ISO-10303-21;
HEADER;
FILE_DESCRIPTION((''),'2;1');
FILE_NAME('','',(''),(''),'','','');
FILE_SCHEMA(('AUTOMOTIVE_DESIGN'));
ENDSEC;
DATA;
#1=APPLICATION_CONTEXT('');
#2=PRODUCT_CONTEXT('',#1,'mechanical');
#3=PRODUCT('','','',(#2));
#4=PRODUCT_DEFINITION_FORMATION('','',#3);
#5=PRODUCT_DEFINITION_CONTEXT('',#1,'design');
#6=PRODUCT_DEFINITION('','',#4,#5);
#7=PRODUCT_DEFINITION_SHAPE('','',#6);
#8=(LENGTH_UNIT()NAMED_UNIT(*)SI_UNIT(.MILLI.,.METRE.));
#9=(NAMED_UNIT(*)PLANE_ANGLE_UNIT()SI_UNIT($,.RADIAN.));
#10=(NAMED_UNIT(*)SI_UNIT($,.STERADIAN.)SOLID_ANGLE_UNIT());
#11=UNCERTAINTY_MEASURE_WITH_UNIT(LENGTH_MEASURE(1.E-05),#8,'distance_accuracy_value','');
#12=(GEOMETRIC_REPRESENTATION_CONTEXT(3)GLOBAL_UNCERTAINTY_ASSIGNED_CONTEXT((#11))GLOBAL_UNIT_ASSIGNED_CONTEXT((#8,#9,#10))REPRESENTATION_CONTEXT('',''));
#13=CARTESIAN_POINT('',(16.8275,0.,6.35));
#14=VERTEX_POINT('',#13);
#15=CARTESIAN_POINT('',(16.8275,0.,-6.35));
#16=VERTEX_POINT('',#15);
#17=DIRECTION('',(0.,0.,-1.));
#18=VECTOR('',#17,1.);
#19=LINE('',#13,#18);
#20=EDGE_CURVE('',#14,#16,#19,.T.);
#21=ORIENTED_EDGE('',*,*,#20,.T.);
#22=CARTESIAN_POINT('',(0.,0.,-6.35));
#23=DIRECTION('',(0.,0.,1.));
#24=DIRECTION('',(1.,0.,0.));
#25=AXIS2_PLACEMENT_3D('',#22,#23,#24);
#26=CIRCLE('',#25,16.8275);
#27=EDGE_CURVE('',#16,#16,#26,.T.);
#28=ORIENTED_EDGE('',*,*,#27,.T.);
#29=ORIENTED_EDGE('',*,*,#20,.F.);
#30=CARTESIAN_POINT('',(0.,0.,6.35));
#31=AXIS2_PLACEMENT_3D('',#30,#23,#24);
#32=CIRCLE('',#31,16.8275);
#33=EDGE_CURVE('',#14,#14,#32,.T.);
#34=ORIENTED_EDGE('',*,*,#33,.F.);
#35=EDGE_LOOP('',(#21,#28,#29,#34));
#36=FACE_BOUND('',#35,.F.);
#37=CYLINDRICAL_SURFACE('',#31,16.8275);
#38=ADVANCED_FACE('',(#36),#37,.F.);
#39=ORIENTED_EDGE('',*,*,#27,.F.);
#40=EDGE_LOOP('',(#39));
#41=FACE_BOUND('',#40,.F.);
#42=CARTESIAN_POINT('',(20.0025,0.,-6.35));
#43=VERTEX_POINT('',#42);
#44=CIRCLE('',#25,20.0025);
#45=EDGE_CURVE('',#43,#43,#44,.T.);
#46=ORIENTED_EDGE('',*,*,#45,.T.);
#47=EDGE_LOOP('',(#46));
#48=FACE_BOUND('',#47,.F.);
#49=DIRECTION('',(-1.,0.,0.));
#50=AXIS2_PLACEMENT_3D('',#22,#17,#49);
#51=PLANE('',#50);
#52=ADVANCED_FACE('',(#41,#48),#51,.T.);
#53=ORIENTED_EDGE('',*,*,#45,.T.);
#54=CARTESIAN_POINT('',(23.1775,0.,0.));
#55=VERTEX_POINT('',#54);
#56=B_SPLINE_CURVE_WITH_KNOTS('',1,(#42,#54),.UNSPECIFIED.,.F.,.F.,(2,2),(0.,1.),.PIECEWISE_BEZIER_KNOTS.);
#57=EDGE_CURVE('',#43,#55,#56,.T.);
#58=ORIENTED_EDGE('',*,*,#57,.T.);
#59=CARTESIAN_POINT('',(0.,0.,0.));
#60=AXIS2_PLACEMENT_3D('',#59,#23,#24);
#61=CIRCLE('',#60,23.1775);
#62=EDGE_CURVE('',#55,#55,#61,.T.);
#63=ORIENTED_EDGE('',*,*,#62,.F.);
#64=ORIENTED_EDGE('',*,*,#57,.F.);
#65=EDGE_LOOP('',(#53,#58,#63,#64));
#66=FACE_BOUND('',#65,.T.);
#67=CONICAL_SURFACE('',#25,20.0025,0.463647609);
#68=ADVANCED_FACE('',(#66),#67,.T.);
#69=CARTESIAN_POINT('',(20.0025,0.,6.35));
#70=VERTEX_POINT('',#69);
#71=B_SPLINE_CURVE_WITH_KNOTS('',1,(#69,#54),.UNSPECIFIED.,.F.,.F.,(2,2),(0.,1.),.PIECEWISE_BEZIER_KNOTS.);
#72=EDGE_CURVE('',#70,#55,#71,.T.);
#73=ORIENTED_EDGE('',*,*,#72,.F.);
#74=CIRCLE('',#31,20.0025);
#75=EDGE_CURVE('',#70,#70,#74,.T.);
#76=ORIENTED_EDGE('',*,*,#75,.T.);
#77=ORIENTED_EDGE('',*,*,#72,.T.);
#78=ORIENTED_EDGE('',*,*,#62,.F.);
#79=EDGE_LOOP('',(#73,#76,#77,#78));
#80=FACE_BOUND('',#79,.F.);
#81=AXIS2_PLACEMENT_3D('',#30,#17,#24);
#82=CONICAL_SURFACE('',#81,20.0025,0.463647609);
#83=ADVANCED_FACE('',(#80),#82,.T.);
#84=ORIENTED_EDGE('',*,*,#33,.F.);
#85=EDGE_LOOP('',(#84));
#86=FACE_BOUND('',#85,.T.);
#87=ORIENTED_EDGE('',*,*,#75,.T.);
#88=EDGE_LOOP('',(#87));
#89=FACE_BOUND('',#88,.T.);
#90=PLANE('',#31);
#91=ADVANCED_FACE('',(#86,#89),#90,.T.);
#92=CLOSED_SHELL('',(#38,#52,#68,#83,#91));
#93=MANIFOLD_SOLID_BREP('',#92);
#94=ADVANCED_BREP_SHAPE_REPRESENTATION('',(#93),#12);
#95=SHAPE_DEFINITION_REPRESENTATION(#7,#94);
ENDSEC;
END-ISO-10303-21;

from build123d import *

# Parameters (mm, degrees)
F0_R     = 20.0025
F0_R_2   = 16.8275
F1_DEPTH = 6.35
F3_R     = 20.0025
F2_R     = 23.1775
F6_R     = 16.8275
F7_DEPTH = 12.701


with BuildPart() as f1:
    # F0 (on Top) → F1 (new body)
    with BuildSketch(Plane.XY):
        Circle(F0_R)
        Circle(F0_R_2, mode=Mode.SUBTRACT)
    extrude(amount=F1_DEPTH)

    # F3 (on face) → F4 section 0
    with BuildSketch(Plane.XY.offset(6.35)):
        Circle(F3_R)
    # F2 (on Top) → F4 section 1
    with BuildSketch(Plane.XY):
        Circle(F2_R)
    loft()

    # F5: F1 across plane


with BuildPart() as f1_1:
    add(f1.part)
    add(f1.part.mirror(Plane.XY))

    # F6 (on face) → F7 (cut, through all)
    with BuildSketch(Plane.XY.offset(6.35)):
        Circle(F6_R)
    extrude(amount=-F7_DEPTH, mode=Mode.SUBTRACT)


solid = f1_1.part
